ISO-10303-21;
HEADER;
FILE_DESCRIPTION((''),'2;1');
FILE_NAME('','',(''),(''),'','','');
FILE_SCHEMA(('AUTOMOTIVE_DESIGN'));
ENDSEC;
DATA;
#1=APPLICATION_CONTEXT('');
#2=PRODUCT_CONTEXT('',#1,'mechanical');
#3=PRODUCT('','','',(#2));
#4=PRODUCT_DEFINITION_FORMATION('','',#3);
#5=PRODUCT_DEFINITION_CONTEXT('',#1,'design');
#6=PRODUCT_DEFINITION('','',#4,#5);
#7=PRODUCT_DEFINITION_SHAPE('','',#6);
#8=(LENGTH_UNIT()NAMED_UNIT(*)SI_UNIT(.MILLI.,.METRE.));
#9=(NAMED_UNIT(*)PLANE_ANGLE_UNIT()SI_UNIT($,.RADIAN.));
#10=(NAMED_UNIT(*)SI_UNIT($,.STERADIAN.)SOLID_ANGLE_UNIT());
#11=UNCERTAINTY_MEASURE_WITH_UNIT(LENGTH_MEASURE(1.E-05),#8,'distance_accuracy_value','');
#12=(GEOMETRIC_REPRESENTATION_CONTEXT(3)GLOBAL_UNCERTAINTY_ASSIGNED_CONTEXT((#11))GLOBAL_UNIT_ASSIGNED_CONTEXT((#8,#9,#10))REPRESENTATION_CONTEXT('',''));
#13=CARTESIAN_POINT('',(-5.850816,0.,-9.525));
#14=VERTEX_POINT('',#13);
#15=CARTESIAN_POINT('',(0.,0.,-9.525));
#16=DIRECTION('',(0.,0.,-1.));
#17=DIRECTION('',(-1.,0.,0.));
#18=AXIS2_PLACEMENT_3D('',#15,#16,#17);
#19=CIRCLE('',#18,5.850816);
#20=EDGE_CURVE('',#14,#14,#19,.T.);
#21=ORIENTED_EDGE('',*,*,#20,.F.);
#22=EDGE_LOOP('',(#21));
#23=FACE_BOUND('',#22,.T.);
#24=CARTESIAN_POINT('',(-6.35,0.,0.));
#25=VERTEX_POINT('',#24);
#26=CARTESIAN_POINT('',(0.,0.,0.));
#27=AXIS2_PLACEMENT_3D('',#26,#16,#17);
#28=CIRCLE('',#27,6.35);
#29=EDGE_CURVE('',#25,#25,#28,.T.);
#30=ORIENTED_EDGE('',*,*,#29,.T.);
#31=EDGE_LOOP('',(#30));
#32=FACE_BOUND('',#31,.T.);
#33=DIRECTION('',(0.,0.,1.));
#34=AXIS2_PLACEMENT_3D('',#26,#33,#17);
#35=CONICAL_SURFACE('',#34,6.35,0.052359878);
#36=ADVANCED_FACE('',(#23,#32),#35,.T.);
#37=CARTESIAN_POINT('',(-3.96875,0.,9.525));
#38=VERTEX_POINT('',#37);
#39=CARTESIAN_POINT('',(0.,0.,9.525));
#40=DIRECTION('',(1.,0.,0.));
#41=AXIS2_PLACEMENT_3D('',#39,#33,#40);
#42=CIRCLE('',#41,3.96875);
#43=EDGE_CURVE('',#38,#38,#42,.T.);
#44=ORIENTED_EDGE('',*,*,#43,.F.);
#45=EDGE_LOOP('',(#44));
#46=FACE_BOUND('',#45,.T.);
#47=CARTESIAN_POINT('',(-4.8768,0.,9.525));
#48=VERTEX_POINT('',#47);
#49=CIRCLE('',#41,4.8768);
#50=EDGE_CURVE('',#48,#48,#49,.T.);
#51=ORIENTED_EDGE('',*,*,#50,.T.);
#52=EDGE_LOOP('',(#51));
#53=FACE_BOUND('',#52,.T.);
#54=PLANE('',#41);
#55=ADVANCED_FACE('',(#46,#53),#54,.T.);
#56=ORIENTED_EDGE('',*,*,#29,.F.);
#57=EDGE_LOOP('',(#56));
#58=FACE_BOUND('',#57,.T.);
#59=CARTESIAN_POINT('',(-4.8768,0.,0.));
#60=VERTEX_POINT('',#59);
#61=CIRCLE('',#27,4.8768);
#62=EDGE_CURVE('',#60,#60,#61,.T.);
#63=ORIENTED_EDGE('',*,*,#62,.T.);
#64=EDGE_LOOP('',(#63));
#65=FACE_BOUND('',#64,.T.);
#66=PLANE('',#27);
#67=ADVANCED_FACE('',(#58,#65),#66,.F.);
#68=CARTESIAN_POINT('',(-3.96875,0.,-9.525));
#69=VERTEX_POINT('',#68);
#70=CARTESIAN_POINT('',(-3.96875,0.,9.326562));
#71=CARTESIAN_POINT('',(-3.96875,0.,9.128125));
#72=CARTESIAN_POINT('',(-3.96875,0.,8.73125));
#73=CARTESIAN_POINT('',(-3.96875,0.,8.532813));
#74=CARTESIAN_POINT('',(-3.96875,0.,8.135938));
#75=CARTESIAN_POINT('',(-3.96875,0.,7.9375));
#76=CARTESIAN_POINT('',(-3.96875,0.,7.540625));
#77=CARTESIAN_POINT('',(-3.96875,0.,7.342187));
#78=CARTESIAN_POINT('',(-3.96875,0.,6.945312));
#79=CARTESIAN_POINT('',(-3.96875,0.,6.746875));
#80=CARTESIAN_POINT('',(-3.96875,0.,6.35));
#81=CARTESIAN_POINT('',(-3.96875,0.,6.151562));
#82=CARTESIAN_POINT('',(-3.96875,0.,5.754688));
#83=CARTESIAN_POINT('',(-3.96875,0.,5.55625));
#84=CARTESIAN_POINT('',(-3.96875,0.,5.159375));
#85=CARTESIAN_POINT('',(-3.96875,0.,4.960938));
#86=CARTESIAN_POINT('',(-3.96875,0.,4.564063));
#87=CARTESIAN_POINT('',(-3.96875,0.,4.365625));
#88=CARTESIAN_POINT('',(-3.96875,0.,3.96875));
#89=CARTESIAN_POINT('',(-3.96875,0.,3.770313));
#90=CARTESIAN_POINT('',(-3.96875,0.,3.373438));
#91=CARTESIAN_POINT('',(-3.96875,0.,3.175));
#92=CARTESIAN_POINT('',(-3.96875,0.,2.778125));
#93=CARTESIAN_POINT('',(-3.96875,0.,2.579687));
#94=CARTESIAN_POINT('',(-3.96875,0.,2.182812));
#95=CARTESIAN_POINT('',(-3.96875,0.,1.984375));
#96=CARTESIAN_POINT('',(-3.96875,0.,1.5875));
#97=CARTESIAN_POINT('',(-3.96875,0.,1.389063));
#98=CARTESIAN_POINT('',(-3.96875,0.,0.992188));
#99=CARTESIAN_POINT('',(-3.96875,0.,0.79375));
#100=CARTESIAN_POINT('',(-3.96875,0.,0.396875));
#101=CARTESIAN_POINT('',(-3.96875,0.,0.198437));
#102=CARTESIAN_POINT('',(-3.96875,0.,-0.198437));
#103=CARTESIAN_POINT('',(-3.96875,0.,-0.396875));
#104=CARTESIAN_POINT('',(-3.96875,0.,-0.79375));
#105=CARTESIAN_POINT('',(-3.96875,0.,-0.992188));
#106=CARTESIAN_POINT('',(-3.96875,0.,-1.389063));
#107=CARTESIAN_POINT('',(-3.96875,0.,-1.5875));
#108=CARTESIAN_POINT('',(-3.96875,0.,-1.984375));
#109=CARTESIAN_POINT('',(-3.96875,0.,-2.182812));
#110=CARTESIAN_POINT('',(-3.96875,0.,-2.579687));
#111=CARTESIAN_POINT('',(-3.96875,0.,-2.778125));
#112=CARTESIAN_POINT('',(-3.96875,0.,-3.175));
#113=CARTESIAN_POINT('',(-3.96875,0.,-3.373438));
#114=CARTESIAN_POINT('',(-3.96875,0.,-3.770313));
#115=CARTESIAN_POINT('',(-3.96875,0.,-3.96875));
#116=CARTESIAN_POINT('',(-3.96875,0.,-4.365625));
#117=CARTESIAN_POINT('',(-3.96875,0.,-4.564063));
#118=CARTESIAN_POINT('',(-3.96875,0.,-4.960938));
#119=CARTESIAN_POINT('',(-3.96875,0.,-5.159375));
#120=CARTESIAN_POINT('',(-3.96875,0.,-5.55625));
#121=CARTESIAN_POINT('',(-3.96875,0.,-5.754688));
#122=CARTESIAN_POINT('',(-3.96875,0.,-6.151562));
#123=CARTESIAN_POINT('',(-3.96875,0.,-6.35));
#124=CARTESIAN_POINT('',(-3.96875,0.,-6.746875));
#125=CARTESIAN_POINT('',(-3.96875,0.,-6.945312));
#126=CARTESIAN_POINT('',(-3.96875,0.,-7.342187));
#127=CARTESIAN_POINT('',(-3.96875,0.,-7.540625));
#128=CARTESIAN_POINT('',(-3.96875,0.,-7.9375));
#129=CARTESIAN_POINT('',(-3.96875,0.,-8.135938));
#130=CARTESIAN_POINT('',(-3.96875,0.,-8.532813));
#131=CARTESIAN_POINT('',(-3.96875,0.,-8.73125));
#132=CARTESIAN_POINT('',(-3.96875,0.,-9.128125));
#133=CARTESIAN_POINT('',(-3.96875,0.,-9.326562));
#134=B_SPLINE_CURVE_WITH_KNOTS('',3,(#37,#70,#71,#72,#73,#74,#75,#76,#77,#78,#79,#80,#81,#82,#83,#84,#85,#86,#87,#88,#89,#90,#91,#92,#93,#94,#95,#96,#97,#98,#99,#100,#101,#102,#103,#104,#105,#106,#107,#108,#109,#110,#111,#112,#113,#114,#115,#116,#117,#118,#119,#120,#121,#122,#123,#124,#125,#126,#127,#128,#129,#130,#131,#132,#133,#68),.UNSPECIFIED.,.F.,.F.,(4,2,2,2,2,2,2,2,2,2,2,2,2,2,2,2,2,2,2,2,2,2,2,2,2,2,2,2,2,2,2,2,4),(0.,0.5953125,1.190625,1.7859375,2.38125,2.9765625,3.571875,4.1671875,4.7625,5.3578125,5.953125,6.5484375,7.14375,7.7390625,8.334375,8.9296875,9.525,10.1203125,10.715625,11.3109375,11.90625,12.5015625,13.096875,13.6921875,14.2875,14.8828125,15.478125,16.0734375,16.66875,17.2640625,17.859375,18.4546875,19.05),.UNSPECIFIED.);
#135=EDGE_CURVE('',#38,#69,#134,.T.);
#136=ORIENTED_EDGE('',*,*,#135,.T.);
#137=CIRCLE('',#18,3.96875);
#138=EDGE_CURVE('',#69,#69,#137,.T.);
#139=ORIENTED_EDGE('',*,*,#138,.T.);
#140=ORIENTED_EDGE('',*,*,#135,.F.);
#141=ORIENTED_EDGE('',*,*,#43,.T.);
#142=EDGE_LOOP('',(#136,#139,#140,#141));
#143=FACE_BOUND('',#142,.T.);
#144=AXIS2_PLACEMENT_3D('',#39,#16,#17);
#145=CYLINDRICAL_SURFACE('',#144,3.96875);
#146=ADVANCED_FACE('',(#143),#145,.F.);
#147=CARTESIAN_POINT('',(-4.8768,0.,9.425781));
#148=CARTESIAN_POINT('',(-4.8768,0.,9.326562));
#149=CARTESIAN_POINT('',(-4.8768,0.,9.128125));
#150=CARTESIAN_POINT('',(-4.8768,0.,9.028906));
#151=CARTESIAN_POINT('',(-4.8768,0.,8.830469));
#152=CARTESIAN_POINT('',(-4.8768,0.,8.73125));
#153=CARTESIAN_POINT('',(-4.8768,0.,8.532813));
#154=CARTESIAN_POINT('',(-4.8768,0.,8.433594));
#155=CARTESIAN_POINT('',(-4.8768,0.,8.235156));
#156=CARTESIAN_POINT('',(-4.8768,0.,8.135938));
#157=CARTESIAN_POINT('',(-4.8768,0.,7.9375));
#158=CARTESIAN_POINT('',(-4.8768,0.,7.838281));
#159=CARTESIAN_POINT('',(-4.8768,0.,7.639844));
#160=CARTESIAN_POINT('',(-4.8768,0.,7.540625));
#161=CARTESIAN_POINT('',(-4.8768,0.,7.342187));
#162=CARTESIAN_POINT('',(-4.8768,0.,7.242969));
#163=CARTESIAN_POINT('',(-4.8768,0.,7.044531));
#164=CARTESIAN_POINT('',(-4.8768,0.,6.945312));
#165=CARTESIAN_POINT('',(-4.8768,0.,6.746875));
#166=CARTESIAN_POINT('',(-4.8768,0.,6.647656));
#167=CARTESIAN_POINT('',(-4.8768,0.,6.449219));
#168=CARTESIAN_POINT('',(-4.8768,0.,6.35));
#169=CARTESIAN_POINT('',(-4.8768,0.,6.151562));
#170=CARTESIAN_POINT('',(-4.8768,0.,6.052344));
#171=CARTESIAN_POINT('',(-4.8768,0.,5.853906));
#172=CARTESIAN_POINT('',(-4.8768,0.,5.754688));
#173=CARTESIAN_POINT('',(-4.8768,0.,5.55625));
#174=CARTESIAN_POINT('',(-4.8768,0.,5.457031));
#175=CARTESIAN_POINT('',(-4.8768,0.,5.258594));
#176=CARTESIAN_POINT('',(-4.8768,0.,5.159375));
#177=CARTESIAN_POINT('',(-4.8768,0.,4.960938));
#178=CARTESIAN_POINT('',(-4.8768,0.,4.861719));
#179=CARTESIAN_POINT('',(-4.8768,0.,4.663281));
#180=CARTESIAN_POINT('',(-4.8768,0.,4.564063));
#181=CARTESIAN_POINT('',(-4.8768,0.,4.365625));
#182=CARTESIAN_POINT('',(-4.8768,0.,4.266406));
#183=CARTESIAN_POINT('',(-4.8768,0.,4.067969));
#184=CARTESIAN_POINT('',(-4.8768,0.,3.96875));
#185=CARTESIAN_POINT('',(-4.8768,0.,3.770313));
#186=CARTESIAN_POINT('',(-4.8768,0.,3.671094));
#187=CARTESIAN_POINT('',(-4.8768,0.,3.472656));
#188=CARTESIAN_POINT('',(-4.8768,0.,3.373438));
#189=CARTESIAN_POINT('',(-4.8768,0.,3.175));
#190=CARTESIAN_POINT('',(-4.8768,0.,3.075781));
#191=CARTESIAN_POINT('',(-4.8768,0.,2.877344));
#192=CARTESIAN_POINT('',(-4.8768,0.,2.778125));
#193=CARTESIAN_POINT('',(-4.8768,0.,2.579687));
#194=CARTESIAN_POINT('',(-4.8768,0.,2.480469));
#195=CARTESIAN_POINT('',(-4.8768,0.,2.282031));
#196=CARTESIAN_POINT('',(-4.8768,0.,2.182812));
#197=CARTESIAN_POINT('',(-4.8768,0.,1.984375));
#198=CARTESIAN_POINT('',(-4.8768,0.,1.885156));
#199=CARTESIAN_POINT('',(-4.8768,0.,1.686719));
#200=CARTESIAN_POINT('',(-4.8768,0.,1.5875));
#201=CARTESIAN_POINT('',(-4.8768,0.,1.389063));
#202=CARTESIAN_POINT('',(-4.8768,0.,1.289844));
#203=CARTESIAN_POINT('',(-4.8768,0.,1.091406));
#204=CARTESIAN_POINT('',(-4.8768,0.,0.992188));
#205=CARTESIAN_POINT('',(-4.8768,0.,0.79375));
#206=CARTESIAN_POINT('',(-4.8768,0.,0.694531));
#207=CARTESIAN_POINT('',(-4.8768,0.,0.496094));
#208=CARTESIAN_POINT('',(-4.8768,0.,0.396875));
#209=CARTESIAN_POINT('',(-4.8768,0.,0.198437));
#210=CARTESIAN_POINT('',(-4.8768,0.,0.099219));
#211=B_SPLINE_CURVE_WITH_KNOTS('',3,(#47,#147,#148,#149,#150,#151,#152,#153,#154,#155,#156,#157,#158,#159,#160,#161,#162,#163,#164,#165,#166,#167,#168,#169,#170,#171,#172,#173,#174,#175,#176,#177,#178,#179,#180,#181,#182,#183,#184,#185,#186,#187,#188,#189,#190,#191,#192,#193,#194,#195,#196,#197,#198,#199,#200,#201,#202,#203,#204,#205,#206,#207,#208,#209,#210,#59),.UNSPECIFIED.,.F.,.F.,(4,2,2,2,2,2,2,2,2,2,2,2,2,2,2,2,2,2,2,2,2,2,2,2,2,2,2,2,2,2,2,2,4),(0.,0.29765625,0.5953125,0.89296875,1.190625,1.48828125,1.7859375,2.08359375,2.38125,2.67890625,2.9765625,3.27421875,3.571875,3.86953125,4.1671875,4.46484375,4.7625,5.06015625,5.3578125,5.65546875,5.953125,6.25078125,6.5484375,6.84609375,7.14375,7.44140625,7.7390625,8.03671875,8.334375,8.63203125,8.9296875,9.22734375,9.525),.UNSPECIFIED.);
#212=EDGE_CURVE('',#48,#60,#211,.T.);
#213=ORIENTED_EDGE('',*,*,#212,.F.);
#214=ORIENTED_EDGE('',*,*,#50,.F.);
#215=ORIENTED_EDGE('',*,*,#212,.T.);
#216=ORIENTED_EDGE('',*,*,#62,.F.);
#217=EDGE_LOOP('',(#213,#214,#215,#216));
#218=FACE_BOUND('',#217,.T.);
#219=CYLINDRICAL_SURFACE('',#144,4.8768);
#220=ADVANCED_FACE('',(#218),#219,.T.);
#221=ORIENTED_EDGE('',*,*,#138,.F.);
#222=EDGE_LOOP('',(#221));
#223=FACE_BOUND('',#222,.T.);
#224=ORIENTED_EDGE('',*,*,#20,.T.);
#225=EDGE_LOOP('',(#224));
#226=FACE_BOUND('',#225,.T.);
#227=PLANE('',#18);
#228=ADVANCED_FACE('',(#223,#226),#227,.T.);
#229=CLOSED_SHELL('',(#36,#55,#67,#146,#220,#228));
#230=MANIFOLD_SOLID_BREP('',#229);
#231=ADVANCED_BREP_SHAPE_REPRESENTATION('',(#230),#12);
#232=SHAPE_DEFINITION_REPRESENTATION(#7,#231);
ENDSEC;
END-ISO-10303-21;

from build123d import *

# Parameters (mm, degrees)
SKETCH2_R           = 4.8768
SKETCH2_R_2         = 3.96875
BOSS_EXTRUDE1_DEPTH = 9.525
BOSS_EXTRUDE2_START = 9.525
SKETCH3_R           = 6.35
SKETCH3_R_2         = 3.96875
BOSS_EXTRUDE2_DEPTH = 9.525
DRAFT1_ANGLE        = -3


with BuildPart() as part:
    # Sketch2 → Boss-Extrude1 (new body)
    with BuildSketch(Plane.XY):
        with Locations(Location((0, 0, 0), (0, 0, 180))):
            Circle(SKETCH2_R)
        with Locations(Location((0, 0, 0), (0, 0, 180))):
            Circle(SKETCH2_R_2, mode=Mode.SUBTRACT)
    extrude(amount=BOSS_EXTRUDE1_DEPTH)

    # Sketch3 → Boss-Extrude2 (add)
    with BuildSketch(Plane(origin=(0, 0, 0), x_dir=(-1, 0, 0), z_dir=(0, 0, -1)).offset(BOSS_EXTRUDE2_START)):
        with Locations(Location((0, 0, 0), (0, 0, 180))):
            Circle(SKETCH3_R)
        Circle(SKETCH3_R_2, mode=Mode.SUBTRACT)
    extrude(amount=-BOSS_EXTRUDE2_DEPTH)

    # Draft1
    draft1_faces = [part.faces().sort_by_distance(p)[0] for p in [
        (-6.35, 0, -4.7625),
    ]]
    draft(draft1_faces, Plane.XY, DRAFT1_ANGLE)


solid = part.part
